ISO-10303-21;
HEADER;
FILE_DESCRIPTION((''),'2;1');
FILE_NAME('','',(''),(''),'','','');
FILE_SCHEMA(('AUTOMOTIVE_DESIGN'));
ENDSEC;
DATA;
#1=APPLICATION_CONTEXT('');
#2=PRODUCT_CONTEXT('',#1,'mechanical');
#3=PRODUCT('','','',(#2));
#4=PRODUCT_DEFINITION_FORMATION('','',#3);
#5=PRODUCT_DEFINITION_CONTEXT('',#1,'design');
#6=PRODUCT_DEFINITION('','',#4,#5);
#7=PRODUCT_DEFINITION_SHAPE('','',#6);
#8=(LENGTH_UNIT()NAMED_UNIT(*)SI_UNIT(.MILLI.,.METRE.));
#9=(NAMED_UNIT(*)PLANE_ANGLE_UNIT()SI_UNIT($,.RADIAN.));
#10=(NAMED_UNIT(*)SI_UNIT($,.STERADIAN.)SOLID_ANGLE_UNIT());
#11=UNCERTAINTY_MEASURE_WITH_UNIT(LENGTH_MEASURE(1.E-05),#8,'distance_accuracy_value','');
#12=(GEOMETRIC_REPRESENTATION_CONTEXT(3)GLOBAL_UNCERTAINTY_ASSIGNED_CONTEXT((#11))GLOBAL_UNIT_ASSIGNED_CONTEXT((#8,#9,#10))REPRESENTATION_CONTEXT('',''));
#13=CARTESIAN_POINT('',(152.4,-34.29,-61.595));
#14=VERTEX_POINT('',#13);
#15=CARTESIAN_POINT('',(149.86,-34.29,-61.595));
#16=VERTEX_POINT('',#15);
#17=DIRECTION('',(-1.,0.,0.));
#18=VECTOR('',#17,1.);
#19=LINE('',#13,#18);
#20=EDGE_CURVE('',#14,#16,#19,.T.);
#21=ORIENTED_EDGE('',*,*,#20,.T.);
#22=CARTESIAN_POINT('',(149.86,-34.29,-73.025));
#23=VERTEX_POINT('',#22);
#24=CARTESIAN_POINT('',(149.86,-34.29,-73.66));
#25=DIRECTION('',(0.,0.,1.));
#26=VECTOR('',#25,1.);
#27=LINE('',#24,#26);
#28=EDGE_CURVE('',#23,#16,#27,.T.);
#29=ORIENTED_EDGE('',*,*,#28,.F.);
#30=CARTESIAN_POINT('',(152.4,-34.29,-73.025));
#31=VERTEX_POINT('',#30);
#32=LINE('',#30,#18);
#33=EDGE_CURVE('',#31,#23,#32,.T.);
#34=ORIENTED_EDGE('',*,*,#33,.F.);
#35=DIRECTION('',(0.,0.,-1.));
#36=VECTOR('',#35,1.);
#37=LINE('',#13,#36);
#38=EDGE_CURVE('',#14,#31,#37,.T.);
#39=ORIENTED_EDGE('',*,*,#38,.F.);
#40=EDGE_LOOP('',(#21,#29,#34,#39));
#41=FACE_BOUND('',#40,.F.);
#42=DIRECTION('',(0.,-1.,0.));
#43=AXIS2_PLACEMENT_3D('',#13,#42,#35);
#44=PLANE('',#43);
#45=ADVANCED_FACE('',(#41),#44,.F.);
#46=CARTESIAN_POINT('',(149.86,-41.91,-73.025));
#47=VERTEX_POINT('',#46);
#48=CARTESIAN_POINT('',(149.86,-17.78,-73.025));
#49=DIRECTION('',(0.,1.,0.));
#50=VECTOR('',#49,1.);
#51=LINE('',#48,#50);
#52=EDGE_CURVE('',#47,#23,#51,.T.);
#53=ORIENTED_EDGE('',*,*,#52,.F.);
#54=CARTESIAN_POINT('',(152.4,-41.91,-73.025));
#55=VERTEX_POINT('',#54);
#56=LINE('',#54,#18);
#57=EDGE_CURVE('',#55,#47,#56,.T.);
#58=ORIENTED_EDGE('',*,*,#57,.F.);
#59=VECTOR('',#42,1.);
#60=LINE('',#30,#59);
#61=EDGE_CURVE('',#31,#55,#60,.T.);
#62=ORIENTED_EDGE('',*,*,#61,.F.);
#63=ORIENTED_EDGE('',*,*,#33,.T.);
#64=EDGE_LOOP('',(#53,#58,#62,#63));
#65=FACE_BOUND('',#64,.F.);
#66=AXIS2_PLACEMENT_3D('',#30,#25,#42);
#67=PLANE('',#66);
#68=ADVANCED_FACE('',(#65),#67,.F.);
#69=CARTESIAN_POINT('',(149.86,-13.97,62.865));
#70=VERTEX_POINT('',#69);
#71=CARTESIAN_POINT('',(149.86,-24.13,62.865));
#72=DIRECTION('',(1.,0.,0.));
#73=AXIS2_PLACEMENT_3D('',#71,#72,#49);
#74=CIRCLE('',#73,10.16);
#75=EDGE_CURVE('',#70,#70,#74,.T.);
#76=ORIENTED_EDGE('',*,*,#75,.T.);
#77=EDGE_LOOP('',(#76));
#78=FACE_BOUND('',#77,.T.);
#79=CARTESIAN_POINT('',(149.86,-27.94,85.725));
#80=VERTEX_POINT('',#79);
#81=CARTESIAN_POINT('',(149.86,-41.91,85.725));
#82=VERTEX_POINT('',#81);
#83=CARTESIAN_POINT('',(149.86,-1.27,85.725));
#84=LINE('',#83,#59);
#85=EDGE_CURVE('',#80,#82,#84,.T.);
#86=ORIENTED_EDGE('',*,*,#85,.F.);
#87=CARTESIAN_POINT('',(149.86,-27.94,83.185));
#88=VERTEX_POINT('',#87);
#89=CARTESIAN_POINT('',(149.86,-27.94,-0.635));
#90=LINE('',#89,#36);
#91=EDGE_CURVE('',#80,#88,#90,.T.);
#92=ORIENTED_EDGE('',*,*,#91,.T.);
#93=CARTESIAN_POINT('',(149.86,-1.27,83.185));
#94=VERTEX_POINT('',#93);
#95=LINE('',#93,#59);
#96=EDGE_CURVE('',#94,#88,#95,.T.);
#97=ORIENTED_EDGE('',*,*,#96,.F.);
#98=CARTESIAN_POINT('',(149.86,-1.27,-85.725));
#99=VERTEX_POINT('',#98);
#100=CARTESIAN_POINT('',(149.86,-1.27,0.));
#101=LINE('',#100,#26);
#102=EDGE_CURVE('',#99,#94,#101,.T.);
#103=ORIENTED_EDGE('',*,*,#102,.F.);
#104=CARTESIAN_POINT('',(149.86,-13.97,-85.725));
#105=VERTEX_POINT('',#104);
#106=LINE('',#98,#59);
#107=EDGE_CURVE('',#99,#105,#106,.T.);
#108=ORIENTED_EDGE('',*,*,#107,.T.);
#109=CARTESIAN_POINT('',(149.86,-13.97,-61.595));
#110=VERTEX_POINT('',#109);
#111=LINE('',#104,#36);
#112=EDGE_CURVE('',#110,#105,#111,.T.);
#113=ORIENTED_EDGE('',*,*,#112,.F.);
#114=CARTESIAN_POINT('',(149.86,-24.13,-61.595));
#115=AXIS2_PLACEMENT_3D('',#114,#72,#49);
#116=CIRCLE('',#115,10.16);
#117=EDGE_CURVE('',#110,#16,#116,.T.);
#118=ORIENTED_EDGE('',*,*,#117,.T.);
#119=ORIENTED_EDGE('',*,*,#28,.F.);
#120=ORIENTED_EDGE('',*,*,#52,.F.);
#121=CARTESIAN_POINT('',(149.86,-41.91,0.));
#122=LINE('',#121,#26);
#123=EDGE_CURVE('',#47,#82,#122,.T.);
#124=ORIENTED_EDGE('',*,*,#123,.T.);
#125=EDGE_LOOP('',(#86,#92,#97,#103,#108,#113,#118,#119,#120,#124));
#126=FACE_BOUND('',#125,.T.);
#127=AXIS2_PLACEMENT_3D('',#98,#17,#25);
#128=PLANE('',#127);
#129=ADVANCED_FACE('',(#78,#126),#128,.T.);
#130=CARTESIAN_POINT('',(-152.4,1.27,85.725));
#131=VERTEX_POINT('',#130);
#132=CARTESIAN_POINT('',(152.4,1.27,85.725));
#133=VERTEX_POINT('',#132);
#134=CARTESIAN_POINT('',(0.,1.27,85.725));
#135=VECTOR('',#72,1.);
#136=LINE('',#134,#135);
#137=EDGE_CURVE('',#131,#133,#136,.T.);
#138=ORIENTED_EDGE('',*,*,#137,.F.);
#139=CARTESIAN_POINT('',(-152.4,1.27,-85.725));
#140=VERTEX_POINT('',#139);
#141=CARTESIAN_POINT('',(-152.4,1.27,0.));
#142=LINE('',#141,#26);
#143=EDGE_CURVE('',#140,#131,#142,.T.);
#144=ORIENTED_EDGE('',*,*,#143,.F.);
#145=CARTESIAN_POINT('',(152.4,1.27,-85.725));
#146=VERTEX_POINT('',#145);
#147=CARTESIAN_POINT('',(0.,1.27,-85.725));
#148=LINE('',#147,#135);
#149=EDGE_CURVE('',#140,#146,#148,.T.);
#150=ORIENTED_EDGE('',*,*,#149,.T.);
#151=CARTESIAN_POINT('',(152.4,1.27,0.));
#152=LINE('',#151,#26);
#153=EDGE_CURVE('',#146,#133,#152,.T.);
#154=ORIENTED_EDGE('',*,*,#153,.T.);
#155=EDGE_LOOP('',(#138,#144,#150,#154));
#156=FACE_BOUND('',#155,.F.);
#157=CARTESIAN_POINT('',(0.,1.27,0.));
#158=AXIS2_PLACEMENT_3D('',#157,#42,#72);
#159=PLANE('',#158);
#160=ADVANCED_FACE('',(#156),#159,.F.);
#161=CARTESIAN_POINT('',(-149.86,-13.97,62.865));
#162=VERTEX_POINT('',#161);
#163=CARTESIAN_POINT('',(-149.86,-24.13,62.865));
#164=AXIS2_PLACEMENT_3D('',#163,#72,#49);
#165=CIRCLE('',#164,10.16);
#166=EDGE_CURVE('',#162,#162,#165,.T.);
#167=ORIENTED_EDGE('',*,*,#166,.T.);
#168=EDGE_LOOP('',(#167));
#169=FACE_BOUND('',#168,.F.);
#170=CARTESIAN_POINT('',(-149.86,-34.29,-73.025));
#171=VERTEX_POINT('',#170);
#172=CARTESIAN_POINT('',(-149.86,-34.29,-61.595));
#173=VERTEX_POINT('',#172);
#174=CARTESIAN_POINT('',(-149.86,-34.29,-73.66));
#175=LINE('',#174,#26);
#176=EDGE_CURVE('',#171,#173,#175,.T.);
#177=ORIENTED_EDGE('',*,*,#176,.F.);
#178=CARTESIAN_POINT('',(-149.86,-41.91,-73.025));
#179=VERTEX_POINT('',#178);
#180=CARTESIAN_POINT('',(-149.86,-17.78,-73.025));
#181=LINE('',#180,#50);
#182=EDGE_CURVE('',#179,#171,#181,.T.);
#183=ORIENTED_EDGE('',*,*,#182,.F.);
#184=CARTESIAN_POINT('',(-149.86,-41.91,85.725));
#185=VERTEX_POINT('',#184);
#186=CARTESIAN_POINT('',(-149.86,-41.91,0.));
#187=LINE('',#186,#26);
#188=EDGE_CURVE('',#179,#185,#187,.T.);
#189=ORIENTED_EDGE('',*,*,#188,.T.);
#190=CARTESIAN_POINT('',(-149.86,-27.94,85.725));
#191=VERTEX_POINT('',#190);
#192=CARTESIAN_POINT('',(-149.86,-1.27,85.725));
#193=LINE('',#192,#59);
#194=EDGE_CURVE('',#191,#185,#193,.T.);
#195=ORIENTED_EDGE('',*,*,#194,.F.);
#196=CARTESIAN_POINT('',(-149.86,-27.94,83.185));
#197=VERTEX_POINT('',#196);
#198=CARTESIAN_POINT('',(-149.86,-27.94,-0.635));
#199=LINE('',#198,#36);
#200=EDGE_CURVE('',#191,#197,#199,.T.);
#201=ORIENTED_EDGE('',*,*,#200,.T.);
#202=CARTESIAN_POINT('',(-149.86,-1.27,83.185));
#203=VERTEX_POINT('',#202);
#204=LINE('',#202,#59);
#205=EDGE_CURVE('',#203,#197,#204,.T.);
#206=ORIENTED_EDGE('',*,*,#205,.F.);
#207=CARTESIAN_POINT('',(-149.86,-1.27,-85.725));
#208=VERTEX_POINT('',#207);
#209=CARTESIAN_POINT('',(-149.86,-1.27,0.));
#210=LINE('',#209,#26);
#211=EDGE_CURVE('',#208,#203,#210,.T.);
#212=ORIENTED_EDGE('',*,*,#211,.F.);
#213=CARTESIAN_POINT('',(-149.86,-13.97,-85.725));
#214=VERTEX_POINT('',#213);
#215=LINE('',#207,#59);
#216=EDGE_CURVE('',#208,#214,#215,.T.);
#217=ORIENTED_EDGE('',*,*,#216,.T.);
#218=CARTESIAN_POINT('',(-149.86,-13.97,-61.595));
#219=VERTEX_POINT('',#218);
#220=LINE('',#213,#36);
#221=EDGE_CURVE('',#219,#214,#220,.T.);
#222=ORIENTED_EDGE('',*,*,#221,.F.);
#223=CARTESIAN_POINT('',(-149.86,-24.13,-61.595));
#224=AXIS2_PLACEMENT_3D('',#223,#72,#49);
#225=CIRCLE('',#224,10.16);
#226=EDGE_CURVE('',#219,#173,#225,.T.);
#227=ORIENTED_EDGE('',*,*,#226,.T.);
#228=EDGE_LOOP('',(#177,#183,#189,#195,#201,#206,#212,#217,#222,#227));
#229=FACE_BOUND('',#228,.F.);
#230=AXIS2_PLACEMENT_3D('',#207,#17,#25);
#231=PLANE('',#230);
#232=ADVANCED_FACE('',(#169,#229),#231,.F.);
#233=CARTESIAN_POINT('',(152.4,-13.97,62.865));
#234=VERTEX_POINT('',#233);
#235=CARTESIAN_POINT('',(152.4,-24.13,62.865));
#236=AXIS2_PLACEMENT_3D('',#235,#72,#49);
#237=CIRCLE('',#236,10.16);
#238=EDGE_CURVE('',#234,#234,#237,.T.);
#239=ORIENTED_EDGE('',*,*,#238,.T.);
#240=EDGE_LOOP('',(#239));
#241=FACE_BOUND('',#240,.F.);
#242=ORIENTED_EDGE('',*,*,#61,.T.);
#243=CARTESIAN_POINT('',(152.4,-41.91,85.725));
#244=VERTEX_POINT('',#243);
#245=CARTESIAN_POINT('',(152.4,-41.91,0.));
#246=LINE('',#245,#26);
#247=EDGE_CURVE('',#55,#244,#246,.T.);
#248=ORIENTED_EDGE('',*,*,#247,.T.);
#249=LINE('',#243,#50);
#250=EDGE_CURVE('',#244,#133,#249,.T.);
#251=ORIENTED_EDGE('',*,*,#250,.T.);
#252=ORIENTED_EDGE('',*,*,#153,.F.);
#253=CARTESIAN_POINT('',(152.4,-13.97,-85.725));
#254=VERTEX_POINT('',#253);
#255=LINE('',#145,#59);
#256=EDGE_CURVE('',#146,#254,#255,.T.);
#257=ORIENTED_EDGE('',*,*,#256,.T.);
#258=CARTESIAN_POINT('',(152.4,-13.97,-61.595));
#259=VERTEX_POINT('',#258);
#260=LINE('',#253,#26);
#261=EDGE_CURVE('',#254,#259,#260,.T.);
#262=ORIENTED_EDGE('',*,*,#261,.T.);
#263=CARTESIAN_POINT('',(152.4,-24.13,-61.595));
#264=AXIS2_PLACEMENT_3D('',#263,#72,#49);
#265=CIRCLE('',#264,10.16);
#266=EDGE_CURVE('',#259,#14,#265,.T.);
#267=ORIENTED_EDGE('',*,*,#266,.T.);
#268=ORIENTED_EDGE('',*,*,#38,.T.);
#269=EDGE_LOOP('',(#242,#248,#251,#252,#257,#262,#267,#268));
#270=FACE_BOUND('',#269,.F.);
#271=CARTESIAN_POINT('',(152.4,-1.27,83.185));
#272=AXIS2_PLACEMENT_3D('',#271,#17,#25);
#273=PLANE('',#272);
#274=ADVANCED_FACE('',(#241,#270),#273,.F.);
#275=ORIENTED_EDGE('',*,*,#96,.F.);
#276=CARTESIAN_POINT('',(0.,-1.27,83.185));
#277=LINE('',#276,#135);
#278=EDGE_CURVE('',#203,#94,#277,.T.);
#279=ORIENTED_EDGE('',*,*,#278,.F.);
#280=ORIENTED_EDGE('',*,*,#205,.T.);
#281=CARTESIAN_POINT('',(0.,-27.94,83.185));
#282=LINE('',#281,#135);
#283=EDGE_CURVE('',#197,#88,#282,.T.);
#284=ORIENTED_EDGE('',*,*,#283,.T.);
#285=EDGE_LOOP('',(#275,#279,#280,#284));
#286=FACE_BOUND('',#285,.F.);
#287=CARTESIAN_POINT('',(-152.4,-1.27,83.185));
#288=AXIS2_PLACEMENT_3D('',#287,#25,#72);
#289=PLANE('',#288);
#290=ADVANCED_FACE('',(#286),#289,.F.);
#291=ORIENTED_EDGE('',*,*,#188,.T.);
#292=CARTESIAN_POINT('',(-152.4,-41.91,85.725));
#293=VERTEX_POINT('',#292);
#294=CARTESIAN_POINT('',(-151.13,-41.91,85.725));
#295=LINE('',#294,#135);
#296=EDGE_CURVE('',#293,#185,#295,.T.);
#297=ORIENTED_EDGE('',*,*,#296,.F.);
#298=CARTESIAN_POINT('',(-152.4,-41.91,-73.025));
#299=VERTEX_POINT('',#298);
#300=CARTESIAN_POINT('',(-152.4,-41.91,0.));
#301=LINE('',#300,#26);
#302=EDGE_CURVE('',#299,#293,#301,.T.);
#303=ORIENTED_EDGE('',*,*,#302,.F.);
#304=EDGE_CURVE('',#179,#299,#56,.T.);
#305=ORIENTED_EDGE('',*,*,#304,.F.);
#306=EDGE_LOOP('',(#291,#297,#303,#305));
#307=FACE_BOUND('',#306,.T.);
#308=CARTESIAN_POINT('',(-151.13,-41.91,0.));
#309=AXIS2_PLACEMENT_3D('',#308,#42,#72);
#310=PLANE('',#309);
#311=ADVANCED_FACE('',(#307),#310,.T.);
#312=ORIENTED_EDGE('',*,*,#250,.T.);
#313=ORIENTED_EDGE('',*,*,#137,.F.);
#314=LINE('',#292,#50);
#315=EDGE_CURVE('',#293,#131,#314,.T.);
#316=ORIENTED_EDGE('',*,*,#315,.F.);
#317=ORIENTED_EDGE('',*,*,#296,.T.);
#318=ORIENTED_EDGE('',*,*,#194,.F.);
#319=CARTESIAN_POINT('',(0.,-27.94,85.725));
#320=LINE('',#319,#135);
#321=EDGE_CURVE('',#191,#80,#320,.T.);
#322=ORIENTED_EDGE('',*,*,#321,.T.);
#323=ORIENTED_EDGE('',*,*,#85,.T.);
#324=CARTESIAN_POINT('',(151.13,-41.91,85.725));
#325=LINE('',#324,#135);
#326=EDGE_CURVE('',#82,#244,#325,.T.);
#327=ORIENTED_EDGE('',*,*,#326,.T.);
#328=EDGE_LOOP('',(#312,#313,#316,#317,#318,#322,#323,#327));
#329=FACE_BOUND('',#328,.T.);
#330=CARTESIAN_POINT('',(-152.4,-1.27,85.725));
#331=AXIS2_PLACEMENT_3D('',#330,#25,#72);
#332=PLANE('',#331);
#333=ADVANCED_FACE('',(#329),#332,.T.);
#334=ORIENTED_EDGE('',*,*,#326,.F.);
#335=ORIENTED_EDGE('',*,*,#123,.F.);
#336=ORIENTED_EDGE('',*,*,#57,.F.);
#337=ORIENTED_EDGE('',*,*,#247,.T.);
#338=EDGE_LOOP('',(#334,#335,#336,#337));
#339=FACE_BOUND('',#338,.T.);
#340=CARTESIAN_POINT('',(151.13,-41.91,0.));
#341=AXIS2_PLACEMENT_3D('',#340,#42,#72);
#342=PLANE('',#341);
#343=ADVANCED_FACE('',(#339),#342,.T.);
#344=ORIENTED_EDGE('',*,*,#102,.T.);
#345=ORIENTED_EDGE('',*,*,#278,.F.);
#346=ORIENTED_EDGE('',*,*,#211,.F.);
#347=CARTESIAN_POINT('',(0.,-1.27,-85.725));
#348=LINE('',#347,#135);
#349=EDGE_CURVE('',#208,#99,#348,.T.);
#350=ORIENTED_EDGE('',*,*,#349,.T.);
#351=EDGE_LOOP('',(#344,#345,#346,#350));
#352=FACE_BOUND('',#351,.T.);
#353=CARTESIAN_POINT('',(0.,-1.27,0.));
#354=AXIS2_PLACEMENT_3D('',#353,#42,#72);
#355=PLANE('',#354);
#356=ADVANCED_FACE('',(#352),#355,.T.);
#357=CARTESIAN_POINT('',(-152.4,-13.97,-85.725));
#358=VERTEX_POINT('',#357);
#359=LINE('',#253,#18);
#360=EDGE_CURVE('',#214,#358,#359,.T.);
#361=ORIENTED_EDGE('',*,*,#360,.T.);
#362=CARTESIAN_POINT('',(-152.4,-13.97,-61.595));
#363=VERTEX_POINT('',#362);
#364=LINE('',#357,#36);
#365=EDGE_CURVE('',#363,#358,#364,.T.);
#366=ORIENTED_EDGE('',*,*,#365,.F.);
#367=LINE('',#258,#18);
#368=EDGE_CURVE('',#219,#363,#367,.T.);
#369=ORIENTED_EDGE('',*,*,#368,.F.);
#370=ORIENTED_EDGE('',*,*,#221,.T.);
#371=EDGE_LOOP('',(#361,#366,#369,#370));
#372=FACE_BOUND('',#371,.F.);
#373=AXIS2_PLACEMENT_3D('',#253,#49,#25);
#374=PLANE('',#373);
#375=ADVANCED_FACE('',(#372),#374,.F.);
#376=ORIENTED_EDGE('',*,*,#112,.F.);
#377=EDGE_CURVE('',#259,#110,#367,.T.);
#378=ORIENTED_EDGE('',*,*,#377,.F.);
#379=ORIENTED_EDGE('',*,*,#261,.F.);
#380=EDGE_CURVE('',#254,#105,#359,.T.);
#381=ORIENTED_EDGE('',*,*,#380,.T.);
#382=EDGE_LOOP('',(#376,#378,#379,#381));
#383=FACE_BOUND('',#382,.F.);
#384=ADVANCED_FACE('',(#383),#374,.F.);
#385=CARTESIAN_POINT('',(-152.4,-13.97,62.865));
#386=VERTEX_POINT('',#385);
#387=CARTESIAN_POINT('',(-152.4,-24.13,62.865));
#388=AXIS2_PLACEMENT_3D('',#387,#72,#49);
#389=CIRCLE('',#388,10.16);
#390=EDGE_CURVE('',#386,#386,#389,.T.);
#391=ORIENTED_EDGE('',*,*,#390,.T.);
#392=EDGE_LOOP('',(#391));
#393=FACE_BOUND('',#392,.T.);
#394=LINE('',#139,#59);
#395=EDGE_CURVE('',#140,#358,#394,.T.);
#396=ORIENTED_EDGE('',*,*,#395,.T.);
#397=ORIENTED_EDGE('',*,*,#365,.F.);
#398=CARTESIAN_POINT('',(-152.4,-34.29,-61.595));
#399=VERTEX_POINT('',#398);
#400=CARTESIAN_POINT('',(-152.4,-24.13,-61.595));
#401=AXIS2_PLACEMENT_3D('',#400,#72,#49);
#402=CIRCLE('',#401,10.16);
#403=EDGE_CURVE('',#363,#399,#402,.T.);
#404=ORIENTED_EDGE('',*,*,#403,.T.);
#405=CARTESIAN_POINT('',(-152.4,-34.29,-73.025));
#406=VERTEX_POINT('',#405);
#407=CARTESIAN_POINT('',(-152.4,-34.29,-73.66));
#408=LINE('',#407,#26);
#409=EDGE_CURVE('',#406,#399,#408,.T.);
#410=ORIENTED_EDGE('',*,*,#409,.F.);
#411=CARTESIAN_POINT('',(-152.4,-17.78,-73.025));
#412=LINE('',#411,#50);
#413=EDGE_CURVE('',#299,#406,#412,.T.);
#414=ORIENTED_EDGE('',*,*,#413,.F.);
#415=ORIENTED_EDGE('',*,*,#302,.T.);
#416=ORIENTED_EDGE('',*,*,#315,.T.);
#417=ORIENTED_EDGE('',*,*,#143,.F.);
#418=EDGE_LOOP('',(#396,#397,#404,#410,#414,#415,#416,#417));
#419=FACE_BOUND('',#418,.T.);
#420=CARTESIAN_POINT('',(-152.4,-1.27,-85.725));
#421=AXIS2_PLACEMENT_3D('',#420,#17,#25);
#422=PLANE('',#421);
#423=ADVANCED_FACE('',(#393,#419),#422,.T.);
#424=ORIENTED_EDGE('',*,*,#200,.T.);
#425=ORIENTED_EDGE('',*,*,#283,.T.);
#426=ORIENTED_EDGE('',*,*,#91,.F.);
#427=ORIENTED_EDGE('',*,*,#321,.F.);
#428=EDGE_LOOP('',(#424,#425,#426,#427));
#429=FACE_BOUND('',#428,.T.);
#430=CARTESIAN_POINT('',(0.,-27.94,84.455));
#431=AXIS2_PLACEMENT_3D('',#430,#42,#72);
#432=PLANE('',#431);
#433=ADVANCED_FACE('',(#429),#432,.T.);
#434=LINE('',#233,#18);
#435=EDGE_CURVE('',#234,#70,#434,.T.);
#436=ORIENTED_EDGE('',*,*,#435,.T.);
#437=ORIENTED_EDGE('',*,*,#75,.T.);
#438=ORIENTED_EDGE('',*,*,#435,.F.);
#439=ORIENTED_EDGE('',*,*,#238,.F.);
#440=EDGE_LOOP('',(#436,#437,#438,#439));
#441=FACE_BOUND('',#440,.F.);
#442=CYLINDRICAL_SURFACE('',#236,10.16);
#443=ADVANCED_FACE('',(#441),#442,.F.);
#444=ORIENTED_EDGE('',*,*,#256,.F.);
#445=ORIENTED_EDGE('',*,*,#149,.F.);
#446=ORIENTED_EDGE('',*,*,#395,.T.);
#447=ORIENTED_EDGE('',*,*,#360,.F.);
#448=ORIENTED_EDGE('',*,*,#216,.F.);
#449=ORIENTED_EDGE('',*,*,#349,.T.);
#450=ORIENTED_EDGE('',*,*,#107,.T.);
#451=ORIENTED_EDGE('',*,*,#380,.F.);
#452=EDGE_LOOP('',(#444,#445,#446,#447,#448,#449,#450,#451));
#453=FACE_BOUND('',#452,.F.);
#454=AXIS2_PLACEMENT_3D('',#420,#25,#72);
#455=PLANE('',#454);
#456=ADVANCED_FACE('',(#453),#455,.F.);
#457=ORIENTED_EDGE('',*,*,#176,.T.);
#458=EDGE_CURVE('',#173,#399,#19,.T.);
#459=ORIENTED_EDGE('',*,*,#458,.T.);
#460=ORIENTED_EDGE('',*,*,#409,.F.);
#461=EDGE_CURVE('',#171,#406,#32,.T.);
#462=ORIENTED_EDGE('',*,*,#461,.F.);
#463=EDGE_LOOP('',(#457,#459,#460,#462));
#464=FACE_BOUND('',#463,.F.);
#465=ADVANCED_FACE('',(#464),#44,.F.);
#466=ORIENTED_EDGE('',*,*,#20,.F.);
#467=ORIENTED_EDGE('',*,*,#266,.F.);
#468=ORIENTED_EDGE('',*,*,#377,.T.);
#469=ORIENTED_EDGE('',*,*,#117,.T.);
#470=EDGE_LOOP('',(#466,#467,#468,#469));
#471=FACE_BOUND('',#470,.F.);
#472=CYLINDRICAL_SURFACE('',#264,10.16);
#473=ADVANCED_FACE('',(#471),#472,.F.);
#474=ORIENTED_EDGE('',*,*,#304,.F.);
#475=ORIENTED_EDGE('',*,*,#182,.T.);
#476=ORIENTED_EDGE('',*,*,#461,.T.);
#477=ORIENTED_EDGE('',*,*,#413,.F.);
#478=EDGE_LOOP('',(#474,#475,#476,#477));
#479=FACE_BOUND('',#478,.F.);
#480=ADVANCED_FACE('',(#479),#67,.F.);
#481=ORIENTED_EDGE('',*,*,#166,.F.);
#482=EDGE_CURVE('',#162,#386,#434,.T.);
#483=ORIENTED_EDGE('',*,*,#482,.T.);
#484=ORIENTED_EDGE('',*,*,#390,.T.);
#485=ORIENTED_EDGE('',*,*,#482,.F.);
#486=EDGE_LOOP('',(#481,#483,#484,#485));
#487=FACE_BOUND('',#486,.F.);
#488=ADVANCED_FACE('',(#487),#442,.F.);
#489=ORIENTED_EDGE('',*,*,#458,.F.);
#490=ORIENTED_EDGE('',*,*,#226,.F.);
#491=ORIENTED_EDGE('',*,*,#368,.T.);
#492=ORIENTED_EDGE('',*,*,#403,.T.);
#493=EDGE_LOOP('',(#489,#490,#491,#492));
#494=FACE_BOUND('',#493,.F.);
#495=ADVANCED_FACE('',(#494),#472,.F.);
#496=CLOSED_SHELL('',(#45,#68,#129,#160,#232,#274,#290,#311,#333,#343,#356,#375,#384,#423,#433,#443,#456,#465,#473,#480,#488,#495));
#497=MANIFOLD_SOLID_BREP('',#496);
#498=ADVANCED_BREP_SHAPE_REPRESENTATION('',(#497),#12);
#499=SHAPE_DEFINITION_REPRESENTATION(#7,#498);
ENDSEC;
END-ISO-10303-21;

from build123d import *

# Parameters (mm, degrees)
F0_W     = 304.8
F0_H     = 171.45
F1_DEPTH = 1.27
F2_W     = 304.8
F2_H     = 2.54
F3_DEPTH = 26.67
F4_W     = 2.54
F4_H     = 171.45
F5_DEPTH = 40.64
F6_R     = 10.16
F7_DEPTH = 304.801


with BuildPart() as f1:
    # F0 (on Front) → F1 (new body, symmetric)
    with BuildSketch(Plane.XZ):
        Rectangle(F0_W, F0_H)
    extrude(amount=F1_DEPTH, both=True)

    # F2 (on face) → F3 (join)
    with BuildSketch(Plane.XZ.offset(1.27)):
        with Locations((0, 84.455)):
            Rectangle(F2_W, F2_H)
    extrude(amount=F3_DEPTH)

    # F4 (on face) → F5 (join)
    with BuildSketch(Plane.XZ.offset(1.27)):
        with Locations((-151.13, 0)):
            Rectangle(F4_W, F4_H)
        with Locations((151.13, 0)):
            Rectangle(F4_W, F4_H)
    extrude(amount=F5_DEPTH)

    # F6 (on face) → F7 (cut, through all)
    with BuildSketch(Plane.YZ.offset(152.4)):
        with Locations((-24.13, 62.865)):
            Circle(F6_R)
        with BuildLine():
            Line((-34.29, -73.025), (-41.91, -73.025))
            Line((-41.91, -73.025), (-41.91, -85.725))
            Line((-41.91, -85.725), (-13.97, -85.725))
            Line((-13.97, -85.725), (-13.97, -61.595))
            ThreePointArc((-13.97, -61.595), (-24.13, -51.435), (-34.29, -61.595))
            Line((-34.29, -61.595), (-34.29, -73.025))
        make_face()
    extrude(amount=-F7_DEPTH, mode=Mode.SUBTRACT)


solid = f1.part
